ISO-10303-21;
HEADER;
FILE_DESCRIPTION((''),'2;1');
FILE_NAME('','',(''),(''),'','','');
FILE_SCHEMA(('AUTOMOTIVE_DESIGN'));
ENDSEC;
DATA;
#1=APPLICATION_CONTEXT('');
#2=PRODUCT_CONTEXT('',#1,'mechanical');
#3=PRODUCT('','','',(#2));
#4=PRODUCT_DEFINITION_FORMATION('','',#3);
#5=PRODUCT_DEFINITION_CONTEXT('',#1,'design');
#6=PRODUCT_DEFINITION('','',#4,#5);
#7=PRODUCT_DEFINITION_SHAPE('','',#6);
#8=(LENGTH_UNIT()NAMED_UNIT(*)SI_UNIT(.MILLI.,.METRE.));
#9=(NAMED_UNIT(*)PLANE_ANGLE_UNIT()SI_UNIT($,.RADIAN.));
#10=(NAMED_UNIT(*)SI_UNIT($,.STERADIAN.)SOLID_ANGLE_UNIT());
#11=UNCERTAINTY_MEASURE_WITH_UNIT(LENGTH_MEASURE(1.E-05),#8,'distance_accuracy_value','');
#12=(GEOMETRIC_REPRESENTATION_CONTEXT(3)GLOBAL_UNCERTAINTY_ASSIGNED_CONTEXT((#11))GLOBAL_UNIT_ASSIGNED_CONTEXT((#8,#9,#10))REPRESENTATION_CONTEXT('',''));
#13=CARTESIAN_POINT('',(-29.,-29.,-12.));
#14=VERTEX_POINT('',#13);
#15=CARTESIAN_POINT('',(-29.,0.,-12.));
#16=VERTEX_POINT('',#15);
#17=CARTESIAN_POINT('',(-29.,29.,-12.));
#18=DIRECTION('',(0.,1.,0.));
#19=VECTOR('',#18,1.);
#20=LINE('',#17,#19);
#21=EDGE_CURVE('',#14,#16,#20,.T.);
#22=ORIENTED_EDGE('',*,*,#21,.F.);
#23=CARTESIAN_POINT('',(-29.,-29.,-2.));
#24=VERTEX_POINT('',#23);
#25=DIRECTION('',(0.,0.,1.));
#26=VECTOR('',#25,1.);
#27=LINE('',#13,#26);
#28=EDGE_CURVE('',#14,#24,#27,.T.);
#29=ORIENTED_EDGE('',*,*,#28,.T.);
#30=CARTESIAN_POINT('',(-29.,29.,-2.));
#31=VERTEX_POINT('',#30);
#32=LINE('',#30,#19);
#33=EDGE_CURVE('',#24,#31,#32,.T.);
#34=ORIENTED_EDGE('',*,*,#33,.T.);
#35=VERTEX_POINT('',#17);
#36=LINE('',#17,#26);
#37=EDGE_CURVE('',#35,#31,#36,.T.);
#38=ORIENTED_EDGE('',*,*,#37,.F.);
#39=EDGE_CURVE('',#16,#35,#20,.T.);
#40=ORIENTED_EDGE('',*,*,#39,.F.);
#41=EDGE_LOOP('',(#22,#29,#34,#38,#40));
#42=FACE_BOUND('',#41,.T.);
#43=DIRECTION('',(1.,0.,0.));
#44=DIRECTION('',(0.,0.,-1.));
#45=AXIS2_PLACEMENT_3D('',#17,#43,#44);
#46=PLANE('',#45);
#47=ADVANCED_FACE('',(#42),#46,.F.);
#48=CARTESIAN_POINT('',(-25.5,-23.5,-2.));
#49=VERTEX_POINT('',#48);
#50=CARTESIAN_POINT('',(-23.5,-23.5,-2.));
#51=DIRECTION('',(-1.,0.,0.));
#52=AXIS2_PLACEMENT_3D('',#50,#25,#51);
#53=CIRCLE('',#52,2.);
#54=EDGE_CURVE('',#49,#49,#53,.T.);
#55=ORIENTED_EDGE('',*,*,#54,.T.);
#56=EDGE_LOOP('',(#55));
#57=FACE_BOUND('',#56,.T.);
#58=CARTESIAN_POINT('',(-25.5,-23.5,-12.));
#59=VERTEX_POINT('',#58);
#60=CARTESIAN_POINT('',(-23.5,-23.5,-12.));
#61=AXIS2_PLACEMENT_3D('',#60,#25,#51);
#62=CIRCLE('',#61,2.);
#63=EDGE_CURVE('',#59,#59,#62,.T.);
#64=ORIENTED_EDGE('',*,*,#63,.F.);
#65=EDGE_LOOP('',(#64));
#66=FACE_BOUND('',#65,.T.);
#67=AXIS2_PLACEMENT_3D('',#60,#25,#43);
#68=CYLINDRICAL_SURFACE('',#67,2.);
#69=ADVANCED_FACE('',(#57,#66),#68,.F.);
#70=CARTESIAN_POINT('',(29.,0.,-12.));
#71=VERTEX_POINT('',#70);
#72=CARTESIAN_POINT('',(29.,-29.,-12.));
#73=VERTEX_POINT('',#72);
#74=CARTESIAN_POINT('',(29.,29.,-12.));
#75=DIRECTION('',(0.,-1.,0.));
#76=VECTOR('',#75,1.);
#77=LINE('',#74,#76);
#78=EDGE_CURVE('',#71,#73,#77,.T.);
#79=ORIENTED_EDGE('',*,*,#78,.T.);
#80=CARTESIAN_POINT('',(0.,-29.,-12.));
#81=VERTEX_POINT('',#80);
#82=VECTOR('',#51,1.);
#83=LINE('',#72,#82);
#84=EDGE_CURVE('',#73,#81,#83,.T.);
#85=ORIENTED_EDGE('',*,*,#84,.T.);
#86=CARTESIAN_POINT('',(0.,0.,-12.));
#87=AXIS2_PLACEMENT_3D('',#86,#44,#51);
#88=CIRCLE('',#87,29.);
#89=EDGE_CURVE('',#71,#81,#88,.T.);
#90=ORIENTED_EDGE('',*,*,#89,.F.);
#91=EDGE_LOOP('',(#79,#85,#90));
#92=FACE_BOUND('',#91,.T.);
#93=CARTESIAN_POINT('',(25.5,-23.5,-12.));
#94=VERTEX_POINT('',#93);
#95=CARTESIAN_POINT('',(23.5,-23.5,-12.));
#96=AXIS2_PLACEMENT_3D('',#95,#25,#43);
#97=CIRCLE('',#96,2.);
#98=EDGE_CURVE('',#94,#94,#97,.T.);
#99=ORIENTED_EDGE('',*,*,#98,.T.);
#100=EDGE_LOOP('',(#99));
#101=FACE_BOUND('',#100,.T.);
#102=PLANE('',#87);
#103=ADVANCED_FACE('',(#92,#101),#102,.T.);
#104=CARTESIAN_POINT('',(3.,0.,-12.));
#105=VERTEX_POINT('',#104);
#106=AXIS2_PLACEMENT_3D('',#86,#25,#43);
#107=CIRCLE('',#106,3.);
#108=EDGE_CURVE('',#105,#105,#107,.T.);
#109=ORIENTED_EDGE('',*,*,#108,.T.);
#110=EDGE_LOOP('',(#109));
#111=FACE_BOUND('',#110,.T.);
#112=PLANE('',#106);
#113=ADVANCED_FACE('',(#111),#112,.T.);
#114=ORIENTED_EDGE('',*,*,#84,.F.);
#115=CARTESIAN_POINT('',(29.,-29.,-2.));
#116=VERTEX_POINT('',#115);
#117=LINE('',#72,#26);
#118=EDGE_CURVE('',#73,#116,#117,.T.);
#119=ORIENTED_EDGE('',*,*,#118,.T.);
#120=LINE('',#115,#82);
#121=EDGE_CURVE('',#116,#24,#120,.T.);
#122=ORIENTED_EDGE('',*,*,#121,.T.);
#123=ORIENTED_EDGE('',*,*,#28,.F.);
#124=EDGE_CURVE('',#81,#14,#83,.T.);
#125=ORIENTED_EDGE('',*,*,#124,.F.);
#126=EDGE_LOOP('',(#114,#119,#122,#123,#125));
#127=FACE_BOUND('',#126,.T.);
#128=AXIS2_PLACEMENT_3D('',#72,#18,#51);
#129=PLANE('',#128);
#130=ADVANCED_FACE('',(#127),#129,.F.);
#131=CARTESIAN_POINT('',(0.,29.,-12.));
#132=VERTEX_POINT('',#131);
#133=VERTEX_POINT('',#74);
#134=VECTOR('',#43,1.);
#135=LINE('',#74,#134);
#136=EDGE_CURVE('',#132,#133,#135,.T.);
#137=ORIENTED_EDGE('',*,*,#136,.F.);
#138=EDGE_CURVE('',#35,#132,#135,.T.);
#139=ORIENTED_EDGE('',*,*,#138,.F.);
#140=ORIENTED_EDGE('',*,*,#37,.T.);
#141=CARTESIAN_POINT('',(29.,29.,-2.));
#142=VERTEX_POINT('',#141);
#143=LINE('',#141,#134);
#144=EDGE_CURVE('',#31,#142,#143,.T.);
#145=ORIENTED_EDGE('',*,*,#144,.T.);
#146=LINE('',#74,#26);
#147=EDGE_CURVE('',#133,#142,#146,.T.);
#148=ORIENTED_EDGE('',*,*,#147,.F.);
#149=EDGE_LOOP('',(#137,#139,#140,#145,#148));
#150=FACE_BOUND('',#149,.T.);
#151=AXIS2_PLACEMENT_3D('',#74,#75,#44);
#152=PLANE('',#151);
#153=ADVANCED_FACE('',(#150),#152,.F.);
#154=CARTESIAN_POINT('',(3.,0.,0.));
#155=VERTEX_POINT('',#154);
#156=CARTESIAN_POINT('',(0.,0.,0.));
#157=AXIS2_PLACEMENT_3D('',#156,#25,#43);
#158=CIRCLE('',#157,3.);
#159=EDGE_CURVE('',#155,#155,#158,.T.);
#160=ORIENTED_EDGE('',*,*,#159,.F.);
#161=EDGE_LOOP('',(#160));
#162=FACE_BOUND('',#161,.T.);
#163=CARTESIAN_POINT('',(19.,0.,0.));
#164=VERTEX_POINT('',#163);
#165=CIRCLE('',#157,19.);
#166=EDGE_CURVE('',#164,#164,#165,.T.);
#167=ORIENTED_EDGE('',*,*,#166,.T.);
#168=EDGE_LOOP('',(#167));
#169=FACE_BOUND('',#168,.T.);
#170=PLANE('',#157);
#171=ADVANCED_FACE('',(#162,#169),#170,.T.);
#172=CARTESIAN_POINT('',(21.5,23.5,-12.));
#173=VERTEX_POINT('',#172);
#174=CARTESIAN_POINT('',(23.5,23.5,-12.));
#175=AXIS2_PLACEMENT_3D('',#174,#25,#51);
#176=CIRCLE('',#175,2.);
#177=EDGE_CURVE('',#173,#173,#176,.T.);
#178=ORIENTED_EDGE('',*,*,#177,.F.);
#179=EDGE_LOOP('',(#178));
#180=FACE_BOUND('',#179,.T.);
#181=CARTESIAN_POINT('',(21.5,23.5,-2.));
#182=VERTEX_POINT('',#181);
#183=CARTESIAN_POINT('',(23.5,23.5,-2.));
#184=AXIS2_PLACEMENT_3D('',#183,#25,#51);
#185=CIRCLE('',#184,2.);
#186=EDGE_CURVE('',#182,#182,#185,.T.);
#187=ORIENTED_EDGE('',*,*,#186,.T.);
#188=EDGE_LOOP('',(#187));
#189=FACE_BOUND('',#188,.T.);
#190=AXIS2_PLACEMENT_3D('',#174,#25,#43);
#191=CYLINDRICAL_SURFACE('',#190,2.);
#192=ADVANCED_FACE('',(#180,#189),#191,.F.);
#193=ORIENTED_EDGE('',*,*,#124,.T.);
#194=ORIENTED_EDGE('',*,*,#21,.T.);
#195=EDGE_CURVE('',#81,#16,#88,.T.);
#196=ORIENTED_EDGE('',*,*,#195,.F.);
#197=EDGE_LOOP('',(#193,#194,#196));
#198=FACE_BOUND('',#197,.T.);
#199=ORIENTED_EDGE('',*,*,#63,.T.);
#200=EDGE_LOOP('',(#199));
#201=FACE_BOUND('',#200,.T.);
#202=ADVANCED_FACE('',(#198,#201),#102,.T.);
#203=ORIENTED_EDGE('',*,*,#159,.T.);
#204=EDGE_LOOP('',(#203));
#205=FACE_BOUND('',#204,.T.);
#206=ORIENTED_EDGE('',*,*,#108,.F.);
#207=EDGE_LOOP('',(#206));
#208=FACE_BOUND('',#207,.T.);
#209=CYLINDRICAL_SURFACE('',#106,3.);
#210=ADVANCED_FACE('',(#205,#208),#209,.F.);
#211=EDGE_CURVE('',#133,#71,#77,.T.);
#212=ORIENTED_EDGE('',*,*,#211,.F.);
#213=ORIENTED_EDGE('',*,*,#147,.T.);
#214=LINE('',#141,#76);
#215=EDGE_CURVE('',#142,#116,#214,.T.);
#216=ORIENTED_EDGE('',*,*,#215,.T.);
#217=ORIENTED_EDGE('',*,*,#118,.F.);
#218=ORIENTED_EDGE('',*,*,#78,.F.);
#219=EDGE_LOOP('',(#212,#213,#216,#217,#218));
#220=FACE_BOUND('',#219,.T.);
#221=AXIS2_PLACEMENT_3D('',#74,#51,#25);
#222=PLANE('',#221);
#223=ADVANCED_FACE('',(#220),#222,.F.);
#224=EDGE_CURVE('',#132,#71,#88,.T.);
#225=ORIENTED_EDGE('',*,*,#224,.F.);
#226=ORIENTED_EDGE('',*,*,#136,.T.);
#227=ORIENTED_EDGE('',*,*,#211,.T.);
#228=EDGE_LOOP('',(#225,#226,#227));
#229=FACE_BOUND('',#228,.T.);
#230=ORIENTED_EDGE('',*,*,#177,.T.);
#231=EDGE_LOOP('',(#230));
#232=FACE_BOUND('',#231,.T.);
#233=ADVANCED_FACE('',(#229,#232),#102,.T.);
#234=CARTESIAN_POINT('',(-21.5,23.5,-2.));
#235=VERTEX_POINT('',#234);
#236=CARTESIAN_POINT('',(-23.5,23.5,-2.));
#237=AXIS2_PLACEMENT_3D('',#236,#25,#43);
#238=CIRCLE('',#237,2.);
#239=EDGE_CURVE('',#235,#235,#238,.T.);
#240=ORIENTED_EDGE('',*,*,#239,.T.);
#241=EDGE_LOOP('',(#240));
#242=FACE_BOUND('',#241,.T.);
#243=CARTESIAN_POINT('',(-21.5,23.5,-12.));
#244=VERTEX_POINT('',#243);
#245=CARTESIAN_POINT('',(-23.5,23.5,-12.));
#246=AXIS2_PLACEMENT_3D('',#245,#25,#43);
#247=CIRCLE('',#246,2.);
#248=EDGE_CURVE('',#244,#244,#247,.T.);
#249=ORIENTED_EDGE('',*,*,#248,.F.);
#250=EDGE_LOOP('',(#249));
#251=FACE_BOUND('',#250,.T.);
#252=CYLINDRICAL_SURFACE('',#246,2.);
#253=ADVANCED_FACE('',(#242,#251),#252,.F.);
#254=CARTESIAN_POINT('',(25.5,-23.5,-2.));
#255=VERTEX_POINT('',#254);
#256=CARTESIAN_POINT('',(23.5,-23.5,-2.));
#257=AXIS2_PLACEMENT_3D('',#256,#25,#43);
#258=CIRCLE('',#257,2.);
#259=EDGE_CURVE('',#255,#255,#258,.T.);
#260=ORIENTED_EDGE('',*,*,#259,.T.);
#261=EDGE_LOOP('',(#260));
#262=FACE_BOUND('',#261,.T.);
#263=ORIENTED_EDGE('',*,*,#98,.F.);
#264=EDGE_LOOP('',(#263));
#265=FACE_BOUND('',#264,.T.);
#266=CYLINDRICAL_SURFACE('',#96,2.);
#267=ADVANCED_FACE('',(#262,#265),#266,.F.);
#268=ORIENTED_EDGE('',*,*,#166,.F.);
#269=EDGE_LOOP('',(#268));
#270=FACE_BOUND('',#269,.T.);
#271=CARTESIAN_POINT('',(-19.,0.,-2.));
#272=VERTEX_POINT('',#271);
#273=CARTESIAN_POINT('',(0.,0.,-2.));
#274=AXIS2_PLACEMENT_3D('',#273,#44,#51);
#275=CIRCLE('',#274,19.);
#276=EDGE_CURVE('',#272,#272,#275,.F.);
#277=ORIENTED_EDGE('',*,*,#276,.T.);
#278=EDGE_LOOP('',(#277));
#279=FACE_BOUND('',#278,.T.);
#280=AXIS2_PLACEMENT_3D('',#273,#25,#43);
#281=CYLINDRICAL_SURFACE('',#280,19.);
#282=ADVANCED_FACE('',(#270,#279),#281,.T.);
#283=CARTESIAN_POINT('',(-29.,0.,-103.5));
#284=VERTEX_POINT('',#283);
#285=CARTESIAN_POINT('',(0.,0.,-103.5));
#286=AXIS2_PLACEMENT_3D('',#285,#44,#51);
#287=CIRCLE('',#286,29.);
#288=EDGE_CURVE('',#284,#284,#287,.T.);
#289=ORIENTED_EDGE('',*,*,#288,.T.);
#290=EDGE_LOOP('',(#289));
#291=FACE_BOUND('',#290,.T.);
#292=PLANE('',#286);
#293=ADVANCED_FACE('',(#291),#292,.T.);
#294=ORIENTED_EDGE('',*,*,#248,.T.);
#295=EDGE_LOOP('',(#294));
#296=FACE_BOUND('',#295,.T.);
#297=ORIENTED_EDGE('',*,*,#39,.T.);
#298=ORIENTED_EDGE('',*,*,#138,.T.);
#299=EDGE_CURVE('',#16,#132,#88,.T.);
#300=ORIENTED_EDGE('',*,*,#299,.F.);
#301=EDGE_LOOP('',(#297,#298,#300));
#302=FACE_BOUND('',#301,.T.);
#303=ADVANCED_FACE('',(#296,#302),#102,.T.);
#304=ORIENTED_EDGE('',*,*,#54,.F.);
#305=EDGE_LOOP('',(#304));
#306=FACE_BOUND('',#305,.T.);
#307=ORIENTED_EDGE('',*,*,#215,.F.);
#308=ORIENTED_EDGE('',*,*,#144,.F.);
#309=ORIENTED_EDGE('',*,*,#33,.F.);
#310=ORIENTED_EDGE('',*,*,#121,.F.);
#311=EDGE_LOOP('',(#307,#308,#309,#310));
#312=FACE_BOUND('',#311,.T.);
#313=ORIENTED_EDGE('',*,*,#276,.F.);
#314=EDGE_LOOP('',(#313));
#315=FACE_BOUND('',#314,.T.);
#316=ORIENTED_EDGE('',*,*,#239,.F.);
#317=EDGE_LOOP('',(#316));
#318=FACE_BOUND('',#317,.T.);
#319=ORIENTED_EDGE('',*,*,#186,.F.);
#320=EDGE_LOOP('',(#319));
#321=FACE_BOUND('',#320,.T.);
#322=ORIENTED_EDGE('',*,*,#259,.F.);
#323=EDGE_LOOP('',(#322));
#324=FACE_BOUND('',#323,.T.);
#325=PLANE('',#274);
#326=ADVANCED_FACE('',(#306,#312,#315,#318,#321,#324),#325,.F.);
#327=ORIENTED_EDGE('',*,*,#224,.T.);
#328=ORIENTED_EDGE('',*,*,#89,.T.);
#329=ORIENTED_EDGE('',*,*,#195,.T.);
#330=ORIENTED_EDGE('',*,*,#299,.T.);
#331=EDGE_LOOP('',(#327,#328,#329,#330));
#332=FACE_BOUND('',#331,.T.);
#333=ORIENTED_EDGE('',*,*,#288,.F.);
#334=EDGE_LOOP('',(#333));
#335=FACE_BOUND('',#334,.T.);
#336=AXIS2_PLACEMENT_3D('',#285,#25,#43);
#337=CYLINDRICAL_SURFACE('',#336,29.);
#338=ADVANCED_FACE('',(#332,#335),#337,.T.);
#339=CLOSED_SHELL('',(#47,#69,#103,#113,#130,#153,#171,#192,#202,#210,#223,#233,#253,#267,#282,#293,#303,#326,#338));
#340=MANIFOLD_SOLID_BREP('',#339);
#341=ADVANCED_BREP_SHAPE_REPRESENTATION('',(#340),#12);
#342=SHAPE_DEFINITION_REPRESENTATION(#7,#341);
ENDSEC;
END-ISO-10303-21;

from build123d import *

# Parameters (mm, degrees)
SKETCH1_R           = 19
BOSS_EXTRUDE1_DEPTH = 2
SKETCH3_W           = 58
SKETCH3_H           = 58
BOSS_EXTRUDE2_DEPTH = 10
SKETCH4_R           = 29
BOSS_EXTRUDE3_DEPTH = 91.5
SKETCH5_R           = 2
CUT_EXTRUDE1_DEPTH  = 10
SKETCH6_R           = 3
CUT_EXTRUDE2_DEPTH  = 12


with BuildPart() as part:
    # Sketch1 → Boss-Extrude1 (new body)
    with BuildSketch(Plane.XY):
        Circle(SKETCH1_R)
    extrude(amount=-BOSS_EXTRUDE1_DEPTH)

    # Sketch3 → Boss-Extrude2 (add)
    with BuildSketch(Plane(origin=(0, 0, -2), x_dir=(-1, 0, 0), z_dir=(0, 0, -1))):
        Rectangle(SKETCH3_W, SKETCH3_H)
    extrude(amount=BOSS_EXTRUDE2_DEPTH)

    # Sketch4 → Boss-Extrude3 (add)
    with BuildSketch(Plane(origin=(0, 0, -12), x_dir=(-1, 0, 0), z_dir=(0, 0, -1))):
        Circle(SKETCH4_R)
    extrude(amount=BOSS_EXTRUDE3_DEPTH)

    # Sketch5 → Cut-Extrude1 (cut)
    with BuildSketch(Plane.XY.offset(-2)):
        with Locations((-23.5, 23.5)):
            Circle(SKETCH5_R)
        with Locations((23.5, 23.5)):
            Circle(SKETCH5_R)
        with Locations((23.5, -23.5)):
            Circle(SKETCH5_R)
        with Locations((-23.5, -23.5)):
            Circle(SKETCH5_R)
    extrude(amount=-CUT_EXTRUDE1_DEPTH, mode=Mode.SUBTRACT)

    # Sketch6 → Cut-Extrude2 (cut)
    with BuildSketch(Plane.XY):
        Circle(SKETCH6_R)
    extrude(amount=-CUT_EXTRUDE2_DEPTH, mode=Mode.SUBTRACT)


solid = part.part
